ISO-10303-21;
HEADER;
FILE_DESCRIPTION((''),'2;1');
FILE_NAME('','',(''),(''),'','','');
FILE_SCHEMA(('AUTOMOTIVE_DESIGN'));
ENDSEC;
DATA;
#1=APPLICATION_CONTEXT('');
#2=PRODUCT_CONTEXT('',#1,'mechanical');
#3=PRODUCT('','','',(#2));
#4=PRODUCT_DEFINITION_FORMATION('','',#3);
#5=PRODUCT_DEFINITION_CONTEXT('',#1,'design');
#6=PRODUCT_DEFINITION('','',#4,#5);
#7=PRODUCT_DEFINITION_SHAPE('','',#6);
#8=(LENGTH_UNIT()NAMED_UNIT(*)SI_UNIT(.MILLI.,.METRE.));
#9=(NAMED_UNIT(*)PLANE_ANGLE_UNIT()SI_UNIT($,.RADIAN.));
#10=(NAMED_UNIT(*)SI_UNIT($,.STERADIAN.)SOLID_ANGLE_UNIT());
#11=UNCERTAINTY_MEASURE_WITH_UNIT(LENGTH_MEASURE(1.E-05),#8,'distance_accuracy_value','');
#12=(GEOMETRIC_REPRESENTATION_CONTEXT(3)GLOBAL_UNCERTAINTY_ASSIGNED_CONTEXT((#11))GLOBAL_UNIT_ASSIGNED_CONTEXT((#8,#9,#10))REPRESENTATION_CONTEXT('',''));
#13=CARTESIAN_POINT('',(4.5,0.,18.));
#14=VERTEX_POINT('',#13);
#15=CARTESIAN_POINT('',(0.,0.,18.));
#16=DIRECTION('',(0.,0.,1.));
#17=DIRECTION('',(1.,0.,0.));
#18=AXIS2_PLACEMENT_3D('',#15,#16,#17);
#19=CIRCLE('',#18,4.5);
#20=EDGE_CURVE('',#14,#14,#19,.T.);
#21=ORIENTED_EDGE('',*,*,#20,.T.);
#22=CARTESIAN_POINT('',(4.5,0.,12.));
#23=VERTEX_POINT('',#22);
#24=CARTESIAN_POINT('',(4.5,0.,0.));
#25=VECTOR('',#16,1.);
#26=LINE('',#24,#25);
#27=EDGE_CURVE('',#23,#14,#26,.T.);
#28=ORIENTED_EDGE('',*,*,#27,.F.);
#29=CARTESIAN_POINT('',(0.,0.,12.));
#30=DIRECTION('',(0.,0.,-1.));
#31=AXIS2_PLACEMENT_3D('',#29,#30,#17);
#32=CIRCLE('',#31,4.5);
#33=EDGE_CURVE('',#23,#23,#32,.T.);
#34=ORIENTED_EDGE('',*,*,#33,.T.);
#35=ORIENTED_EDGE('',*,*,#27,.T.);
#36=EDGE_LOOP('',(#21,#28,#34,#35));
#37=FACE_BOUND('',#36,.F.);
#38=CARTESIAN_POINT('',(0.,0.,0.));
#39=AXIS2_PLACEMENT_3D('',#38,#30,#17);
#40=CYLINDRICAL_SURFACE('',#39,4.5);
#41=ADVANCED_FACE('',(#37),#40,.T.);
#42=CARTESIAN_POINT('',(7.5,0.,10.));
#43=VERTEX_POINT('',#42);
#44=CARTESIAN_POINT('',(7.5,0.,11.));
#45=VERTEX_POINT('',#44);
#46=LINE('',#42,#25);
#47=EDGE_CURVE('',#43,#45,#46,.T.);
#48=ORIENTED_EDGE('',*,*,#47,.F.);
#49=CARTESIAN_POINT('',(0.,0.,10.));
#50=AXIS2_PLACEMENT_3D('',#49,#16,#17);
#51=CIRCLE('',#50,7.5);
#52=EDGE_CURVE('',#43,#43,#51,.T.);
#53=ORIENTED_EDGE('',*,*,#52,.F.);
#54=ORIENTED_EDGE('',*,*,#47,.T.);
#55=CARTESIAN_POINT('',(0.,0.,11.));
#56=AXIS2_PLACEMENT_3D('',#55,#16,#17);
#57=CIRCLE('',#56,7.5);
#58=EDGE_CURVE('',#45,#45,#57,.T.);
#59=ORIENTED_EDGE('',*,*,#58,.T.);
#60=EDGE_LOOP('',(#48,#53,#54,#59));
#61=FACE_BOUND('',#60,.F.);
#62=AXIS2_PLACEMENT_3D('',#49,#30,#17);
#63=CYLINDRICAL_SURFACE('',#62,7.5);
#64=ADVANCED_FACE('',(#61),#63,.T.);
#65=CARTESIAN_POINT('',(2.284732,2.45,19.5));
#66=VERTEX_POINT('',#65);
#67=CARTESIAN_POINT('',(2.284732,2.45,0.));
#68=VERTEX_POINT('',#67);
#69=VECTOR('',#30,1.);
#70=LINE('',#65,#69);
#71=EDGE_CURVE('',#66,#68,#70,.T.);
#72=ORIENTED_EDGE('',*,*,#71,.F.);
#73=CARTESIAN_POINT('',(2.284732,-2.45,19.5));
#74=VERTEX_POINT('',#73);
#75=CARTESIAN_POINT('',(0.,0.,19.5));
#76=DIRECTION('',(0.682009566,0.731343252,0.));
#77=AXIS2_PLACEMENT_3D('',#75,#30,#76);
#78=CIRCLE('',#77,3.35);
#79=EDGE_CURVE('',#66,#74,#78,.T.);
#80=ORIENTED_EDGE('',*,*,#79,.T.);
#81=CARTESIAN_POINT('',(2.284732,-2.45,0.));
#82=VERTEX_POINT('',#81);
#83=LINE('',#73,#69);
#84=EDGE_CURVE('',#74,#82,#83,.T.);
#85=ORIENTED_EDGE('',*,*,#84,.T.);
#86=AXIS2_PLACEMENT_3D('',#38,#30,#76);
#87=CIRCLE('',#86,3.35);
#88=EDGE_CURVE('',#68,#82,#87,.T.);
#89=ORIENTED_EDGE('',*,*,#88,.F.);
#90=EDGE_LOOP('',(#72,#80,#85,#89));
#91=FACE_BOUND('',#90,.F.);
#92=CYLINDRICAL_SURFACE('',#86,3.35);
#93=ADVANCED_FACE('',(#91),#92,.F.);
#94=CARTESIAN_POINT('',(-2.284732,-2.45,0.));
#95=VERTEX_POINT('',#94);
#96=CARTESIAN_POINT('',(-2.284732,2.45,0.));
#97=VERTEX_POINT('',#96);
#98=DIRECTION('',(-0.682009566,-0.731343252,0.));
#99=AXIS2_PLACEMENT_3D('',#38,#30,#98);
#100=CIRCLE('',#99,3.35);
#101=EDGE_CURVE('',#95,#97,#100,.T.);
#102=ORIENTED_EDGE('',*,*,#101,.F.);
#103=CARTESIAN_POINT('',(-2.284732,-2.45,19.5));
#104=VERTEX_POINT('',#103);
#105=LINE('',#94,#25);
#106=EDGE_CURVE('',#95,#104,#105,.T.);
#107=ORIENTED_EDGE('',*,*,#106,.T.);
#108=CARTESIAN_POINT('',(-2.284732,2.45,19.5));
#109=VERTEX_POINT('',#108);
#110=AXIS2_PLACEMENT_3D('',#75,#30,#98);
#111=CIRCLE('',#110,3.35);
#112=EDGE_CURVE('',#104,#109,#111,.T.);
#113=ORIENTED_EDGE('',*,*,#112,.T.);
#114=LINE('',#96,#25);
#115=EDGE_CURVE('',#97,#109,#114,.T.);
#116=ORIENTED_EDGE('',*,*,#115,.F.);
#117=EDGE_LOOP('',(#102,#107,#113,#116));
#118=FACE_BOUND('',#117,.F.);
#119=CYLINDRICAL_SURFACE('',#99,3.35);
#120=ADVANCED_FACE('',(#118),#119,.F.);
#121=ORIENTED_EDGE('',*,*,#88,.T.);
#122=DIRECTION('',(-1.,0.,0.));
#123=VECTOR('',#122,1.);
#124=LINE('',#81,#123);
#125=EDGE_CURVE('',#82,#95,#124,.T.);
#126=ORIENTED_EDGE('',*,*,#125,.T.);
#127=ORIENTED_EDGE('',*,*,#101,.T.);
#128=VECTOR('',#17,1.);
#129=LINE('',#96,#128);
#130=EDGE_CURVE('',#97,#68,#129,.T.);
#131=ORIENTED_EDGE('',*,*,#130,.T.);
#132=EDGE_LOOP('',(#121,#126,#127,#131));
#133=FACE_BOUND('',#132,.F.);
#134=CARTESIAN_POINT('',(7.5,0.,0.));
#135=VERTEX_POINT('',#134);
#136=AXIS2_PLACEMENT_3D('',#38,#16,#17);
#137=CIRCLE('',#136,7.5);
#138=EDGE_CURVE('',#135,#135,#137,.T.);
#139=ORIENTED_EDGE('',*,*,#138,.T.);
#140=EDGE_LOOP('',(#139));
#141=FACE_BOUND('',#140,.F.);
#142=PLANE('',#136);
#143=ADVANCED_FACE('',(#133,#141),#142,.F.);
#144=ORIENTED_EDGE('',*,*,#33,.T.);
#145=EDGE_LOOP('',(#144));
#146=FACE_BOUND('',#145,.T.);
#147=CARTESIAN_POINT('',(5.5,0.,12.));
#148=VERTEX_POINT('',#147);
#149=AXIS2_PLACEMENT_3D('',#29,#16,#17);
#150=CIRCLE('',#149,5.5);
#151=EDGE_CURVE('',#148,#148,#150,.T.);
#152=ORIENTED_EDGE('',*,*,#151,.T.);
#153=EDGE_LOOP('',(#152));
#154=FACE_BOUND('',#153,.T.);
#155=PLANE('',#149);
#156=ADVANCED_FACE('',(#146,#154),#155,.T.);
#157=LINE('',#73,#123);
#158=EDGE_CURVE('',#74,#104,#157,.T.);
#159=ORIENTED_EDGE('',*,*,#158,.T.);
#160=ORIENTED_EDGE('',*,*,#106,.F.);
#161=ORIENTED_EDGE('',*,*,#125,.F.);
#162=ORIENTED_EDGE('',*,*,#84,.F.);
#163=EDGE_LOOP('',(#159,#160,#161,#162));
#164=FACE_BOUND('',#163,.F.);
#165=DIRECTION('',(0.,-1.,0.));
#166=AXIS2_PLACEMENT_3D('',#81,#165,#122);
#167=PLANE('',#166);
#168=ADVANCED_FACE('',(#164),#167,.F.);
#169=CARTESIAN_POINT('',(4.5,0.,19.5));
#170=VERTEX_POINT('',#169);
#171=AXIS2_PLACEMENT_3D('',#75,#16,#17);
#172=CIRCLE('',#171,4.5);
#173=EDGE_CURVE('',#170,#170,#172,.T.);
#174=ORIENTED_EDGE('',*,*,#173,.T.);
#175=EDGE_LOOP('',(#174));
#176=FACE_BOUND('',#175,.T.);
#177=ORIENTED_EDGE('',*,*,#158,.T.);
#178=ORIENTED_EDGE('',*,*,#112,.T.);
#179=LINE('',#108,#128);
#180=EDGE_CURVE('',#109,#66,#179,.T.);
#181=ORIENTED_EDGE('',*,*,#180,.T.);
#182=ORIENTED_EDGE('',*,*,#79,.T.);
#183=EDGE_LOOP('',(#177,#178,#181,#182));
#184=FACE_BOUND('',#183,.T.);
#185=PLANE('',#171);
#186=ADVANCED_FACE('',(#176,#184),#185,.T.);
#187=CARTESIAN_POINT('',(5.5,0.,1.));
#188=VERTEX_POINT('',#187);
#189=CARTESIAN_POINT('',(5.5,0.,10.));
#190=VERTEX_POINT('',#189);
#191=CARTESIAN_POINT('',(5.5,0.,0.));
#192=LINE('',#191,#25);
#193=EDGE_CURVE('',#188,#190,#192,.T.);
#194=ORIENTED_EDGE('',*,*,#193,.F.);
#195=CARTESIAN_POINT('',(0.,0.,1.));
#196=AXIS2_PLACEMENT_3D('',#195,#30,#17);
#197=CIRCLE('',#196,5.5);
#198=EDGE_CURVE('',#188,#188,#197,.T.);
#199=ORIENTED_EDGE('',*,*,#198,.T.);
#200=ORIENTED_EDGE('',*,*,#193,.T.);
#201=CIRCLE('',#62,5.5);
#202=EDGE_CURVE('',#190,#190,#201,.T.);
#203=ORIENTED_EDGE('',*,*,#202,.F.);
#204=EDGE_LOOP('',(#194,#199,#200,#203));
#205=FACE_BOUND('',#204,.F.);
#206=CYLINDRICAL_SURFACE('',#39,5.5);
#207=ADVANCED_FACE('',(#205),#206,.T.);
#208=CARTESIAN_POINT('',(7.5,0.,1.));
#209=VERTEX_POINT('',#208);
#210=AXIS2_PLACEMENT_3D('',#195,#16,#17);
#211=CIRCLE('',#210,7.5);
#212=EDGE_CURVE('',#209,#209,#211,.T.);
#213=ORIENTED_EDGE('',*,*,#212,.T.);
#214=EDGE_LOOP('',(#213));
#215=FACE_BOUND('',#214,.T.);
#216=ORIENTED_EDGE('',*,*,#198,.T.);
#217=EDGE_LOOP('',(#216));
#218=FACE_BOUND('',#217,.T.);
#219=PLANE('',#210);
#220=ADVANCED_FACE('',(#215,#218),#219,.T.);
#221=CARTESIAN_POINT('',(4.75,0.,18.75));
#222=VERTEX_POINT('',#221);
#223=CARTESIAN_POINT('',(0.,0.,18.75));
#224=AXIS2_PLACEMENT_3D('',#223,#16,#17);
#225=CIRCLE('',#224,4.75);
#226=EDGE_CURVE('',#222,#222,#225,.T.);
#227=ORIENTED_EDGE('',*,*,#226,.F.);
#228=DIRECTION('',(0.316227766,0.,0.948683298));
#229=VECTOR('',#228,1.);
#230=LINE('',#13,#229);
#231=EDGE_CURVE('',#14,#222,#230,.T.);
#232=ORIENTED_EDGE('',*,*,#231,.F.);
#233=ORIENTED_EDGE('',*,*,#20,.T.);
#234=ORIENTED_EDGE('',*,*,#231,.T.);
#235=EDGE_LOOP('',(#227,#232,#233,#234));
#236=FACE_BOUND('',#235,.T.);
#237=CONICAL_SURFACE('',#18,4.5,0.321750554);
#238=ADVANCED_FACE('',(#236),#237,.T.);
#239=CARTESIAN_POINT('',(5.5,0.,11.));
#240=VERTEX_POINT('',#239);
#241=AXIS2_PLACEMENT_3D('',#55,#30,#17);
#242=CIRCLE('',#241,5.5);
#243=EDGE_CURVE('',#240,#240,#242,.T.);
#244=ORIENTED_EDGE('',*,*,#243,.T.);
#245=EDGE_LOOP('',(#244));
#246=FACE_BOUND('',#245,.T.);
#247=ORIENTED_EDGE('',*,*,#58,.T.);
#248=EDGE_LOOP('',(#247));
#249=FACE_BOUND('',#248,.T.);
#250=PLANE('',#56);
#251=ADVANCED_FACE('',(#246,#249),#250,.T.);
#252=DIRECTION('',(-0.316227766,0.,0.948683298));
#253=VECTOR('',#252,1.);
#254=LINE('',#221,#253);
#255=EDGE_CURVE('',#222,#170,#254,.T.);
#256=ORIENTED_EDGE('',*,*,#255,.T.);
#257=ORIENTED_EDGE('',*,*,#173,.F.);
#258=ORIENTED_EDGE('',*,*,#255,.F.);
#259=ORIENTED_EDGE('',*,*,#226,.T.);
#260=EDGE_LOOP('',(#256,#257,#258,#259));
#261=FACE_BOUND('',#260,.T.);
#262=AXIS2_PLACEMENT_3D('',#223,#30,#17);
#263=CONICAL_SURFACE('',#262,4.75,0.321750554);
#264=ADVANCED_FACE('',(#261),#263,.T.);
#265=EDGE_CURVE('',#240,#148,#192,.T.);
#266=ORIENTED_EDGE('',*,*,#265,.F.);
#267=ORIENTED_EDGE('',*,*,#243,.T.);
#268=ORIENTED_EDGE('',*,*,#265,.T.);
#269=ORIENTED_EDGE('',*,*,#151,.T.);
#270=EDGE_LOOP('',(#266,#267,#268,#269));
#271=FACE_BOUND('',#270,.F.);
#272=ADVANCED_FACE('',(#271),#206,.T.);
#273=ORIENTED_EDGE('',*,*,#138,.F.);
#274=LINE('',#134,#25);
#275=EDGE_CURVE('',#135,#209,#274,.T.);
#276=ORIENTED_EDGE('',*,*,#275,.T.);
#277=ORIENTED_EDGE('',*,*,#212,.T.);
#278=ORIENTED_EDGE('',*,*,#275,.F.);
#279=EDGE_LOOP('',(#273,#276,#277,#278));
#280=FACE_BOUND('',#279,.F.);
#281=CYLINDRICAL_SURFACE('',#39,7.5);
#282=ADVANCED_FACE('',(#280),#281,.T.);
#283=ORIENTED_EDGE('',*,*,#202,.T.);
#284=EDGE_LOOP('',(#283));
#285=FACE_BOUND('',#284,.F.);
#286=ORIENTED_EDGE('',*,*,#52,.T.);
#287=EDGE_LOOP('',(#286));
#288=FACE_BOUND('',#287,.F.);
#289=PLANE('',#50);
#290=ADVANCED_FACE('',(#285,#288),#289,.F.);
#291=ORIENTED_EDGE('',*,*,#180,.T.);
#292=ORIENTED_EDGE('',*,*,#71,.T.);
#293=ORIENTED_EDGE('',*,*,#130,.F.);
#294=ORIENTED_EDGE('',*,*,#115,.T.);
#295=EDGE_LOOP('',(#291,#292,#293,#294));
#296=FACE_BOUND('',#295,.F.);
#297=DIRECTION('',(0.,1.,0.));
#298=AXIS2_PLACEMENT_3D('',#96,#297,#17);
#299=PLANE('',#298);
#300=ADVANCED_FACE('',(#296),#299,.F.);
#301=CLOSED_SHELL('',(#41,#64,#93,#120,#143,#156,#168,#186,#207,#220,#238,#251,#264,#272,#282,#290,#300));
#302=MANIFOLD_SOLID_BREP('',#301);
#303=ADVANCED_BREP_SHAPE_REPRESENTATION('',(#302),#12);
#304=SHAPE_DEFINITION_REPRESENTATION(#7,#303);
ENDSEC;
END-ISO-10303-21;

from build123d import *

# Parameters (mm, degrees)
F0_R     = 7.5
F0_R_2   = 5.5
F0_R_3   = 4.5
F1_DEPTH = 1
F3_DEPTH = 12
F4_DEPTH = 19.5


with BuildPart() as f1:
    # F0 (on Top) → F1 (new body)
    with BuildSketch(Plane.XY):
        Circle(F0_R)
        Circle(F0_R_2, mode=Mode.SUBTRACT)
        Circle(F0_R_2)
        Circle(F0_R_3, mode=Mode.SUBTRACT)
        Circle(F0_R_3)
        with BuildLine():
            ThreePointArc((-2.284732, -2.45), (-3.35, 0), (-2.284732, 2.45))
            Line((-2.284732, 2.45), (2.284732, 2.45))
            ThreePointArc((2.284732, 2.45), (3.35, 0), (2.284732, -2.45))
            Line((2.284732, -2.45), (-2.284732, -2.45))
        make_face(mode=Mode.SUBTRACT)
    extrude(amount=F1_DEPTH)



with BuildPart() as f2_1:
    # F2: copy of F1
    add(f1.part.moved(Location((0, 0, 10))))


with BuildPart() as f3:
    # F0 (on Top) → F3 (new body)
    with BuildSketch(Plane.XY):
        Circle(F0_R_2)
        Circle(F0_R_3, mode=Mode.SUBTRACT)
        Circle(F0_R_3)
        with BuildLine():
            ThreePointArc((-2.284732, -2.45), (-3.35, 0), (-2.284732, 2.45))
            Line((-2.284732, 2.45), (2.284732, 2.45))
            ThreePointArc((2.284732, 2.45), (3.35, 0), (2.284732, -2.45))
            Line((2.284732, -2.45), (-2.284732, -2.45))
        make_face(mode=Mode.SUBTRACT)
    extrude(amount=F3_DEPTH)


with BuildPart() as f1_1:
    add(f1.part)

    add(f2_1.part)  # F4 merges F2_1

    add(f3.part)  # F4 merges F3
    # F0 (on Top) → F4 (join)
    with BuildSketch(Plane.XY):
        Circle(F0_R_3)
        with BuildLine():
            ThreePointArc((-2.284732, -2.45), (-3.35, 0), (-2.284732, 2.45))
            Line((-2.284732, 2.45), (2.284732, 2.45))
            ThreePointArc((2.284732, 2.45), (3.35, 0), (2.284732, -2.45))
            Line((2.284732, -2.45), (-2.284732, -2.45))
        make_face(mode=Mode.SUBTRACT)
    extrude(amount=F4_DEPTH)

    # F5 (on Front) → F6 (revolve)
    with BuildSketch(Plane.XZ):
        Polygon((4.75, 18.75), (4.5, 19.5), (4.5, 18), align=None)
    revolve(axis=Axis((0, 0, 8.754228), (0, 0, 1)))


solid = f1_1.part
